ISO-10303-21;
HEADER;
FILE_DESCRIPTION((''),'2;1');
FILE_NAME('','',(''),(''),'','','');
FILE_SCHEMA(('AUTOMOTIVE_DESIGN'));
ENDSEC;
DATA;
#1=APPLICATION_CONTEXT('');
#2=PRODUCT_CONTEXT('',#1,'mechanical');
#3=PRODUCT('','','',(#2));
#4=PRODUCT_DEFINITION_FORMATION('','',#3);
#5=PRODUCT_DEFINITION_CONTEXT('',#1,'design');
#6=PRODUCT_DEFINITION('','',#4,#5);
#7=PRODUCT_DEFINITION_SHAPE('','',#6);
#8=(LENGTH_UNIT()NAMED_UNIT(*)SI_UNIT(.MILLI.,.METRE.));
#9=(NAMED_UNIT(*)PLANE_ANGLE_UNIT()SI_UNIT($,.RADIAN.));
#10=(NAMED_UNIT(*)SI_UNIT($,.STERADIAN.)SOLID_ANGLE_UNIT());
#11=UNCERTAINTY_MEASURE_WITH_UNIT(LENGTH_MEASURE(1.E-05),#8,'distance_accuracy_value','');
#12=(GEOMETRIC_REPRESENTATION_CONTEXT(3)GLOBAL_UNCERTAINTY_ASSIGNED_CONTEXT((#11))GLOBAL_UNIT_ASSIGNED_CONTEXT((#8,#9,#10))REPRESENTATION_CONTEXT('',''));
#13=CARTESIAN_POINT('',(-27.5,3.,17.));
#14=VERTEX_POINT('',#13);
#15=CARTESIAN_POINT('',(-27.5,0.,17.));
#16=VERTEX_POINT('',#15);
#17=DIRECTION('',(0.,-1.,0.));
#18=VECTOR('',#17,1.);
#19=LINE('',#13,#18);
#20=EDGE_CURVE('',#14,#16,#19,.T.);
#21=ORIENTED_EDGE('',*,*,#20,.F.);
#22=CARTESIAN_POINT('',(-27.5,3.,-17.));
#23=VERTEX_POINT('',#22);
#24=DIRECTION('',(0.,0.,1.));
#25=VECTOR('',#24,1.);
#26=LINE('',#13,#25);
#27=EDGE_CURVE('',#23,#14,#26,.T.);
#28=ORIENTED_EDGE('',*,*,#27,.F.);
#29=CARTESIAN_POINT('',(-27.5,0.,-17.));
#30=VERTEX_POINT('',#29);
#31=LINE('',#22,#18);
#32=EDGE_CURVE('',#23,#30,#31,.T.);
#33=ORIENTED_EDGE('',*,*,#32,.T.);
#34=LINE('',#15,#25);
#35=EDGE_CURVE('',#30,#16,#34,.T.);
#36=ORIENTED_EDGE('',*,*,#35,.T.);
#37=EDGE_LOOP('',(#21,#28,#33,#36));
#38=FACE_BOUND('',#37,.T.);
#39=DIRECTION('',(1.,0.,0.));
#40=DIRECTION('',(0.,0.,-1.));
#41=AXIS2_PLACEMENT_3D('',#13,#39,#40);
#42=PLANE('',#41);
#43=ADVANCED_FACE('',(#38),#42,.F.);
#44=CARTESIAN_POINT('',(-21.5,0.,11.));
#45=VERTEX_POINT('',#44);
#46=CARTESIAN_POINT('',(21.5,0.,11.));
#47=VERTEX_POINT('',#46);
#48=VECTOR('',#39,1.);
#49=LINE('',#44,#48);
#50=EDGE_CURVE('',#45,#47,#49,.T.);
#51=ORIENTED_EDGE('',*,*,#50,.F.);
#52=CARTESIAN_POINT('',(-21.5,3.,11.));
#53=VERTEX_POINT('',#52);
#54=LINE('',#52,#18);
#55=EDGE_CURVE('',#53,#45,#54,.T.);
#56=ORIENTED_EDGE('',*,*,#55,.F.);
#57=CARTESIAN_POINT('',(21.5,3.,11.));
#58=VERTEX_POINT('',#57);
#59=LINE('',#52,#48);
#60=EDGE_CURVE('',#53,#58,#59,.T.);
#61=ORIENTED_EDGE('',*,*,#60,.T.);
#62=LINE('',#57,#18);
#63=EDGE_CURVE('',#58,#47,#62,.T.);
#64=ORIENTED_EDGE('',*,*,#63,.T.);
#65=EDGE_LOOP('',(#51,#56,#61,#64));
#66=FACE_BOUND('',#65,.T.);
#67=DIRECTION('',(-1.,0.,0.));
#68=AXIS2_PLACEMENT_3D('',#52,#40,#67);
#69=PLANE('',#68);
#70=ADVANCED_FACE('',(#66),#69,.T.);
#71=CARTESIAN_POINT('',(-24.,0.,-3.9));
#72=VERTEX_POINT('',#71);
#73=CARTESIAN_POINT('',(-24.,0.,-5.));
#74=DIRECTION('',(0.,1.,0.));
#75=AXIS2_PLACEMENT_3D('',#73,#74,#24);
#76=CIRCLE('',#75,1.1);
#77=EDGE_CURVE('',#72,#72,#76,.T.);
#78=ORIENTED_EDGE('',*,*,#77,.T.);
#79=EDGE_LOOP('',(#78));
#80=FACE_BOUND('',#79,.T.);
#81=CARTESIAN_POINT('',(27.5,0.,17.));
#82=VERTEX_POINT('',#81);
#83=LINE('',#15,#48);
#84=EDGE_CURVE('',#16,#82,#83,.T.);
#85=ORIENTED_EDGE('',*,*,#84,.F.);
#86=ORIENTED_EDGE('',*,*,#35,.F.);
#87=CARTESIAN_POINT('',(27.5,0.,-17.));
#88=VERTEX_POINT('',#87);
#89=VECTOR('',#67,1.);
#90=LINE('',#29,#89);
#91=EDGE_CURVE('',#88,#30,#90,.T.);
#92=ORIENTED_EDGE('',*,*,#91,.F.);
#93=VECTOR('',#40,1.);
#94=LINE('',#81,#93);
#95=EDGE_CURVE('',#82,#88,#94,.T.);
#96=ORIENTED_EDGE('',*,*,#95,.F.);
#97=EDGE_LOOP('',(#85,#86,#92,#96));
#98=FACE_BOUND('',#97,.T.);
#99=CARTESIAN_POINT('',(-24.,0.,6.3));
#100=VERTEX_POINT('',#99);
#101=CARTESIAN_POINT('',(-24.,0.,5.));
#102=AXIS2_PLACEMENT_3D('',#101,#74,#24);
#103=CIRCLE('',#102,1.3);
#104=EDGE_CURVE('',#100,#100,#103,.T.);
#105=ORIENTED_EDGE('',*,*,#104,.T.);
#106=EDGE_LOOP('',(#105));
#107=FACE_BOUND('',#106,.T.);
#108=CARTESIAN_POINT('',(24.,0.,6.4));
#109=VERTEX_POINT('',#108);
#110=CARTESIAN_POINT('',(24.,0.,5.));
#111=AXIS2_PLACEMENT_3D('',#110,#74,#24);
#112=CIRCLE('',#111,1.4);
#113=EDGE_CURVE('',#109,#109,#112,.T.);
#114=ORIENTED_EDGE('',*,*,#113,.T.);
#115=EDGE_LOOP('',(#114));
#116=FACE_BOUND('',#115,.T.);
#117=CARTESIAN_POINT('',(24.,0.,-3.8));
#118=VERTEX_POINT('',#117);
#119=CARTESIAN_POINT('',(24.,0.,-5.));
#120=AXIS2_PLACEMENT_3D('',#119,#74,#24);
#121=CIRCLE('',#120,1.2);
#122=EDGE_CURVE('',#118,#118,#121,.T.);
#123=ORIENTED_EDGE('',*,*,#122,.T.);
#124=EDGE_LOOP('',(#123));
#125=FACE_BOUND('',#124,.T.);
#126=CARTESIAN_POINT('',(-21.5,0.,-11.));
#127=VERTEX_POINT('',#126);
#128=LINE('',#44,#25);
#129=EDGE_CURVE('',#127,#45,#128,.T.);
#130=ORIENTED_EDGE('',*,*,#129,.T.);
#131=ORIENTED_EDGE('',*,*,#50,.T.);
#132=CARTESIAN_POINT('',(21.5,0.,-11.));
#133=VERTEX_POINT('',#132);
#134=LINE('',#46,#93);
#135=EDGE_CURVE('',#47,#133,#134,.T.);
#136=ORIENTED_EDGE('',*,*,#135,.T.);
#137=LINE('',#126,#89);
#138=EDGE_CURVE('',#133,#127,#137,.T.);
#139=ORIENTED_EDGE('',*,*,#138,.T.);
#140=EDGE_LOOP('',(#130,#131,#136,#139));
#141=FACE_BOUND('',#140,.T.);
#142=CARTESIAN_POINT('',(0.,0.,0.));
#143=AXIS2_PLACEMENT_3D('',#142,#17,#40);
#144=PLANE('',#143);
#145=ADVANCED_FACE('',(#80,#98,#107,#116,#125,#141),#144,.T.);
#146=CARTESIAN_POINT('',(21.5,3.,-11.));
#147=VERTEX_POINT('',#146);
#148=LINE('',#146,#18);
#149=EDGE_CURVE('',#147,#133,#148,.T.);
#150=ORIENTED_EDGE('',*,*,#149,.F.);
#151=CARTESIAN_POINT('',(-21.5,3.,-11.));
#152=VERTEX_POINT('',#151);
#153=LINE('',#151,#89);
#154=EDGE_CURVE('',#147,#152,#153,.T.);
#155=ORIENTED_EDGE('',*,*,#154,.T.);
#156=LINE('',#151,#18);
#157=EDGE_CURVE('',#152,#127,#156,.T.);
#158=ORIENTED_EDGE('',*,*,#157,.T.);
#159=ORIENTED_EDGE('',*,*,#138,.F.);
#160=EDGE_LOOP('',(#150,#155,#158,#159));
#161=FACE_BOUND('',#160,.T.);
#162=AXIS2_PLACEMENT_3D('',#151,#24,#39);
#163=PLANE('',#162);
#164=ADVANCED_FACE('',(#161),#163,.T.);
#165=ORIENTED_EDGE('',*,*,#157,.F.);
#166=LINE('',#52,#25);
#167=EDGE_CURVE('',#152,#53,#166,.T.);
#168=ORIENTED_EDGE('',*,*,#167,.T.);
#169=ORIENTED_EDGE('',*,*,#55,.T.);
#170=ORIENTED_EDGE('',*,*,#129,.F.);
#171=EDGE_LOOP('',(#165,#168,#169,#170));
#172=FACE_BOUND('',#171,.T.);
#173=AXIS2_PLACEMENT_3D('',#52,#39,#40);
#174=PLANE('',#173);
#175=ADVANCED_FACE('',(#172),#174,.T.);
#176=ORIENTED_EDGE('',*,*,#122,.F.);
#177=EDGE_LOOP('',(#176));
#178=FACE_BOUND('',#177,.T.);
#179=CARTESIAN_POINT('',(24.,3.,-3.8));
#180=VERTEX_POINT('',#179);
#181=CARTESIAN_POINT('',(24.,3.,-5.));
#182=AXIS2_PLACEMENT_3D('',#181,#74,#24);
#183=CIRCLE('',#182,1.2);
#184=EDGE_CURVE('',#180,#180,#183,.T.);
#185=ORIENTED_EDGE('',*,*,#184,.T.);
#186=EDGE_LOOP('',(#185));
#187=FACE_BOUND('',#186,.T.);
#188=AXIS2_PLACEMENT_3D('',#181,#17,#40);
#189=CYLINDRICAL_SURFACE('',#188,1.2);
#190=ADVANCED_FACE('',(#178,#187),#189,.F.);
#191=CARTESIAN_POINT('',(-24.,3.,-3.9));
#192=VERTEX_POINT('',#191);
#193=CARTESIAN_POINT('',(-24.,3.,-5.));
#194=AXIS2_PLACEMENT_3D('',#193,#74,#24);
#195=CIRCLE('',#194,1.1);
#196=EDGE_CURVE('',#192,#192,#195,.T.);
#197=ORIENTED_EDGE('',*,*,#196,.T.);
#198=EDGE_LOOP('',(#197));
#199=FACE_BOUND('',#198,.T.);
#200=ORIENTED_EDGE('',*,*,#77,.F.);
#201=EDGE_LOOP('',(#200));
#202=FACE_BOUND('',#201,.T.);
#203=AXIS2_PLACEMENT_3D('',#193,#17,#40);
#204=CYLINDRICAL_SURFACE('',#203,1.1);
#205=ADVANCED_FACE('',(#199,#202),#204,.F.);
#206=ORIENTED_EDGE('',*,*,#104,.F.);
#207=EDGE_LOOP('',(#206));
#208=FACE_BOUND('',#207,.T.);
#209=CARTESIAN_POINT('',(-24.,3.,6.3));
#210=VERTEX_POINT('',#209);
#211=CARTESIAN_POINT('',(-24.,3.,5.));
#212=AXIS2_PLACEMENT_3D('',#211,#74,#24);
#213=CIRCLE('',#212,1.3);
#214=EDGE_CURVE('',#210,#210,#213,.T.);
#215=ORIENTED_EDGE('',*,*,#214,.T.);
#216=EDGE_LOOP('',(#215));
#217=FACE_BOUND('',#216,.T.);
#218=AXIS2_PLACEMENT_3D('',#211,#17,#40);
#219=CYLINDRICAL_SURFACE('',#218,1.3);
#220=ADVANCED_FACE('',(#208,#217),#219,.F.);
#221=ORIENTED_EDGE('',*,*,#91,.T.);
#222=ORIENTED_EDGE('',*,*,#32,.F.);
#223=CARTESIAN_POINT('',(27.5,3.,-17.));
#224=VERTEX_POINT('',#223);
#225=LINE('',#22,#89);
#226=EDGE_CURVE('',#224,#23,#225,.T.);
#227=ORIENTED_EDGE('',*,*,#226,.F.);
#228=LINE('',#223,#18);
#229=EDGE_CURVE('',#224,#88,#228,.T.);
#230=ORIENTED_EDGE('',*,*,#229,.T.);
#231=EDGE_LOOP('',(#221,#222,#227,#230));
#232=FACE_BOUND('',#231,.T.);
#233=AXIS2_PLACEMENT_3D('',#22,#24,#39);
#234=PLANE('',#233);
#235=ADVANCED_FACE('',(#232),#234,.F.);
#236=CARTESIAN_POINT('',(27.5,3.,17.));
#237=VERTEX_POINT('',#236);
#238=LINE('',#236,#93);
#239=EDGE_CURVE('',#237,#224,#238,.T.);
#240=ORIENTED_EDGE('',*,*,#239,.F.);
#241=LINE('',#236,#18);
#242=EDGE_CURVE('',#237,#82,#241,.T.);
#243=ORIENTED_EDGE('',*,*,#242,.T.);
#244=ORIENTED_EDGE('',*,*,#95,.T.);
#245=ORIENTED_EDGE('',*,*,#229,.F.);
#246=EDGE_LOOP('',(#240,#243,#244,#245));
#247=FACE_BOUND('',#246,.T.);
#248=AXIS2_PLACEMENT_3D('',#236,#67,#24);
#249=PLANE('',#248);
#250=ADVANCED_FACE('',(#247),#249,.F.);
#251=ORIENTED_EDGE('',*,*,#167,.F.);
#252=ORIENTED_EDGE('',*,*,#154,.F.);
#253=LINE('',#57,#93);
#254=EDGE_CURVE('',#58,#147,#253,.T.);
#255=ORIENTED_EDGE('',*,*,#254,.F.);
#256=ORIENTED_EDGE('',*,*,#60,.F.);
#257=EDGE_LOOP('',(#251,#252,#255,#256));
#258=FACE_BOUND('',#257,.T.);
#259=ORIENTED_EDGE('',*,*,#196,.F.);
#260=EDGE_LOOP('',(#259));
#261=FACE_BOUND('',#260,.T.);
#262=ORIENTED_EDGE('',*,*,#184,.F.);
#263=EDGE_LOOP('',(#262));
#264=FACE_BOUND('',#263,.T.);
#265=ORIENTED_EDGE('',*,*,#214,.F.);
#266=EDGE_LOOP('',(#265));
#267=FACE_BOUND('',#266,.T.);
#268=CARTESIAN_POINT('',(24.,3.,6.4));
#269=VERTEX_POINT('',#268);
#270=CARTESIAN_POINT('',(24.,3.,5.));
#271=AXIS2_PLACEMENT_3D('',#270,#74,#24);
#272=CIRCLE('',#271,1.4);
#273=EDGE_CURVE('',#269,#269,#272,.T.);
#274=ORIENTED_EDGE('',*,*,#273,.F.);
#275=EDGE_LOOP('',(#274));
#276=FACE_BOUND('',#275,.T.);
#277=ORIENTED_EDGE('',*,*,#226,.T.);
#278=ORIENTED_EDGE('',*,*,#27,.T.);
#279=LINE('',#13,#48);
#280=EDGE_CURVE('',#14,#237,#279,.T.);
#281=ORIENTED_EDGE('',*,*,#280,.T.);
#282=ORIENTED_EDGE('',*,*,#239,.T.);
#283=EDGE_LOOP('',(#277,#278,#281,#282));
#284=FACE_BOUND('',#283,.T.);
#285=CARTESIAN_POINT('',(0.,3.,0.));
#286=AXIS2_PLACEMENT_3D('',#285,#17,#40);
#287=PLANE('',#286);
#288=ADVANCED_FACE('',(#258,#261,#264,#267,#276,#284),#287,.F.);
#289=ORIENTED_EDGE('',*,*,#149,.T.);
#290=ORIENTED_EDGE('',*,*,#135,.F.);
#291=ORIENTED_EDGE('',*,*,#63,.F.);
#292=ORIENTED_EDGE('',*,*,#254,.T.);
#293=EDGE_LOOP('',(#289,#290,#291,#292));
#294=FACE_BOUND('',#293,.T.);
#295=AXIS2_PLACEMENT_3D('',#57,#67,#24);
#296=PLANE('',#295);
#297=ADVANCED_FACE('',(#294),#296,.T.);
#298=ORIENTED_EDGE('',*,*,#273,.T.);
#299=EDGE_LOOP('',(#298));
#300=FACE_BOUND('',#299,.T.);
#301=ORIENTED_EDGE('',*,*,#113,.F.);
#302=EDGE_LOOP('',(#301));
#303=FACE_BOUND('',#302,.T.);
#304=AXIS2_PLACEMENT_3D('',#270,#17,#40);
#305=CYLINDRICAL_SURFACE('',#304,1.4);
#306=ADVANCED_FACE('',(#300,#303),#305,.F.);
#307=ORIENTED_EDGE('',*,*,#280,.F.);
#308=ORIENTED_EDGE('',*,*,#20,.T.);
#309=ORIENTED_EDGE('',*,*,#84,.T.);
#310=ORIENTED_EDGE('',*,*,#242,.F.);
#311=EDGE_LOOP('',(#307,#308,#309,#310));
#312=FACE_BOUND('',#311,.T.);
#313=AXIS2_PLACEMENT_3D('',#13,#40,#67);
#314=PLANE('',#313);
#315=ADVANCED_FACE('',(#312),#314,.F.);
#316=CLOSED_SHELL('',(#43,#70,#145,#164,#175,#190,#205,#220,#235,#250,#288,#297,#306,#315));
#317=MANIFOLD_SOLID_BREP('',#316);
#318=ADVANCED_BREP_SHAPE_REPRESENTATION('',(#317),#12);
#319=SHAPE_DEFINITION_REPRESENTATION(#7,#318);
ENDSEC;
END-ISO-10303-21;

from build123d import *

# Parameters (mm, degrees)
SKETCH1_W           = 55
SKETCH1_H           = 34
SKETCH1_R           = 1.1
SKETCH1_R_2         = 1.3
SKETCH1_R_3         = 1.2
SKETCH1_R_4         = 1.4
SKETCH1_W_2         = 43
SKETCH1_H_2         = 22
BOSS_EXTRUDE1_DEPTH = 3


with BuildPart() as part:
    # Sketch1 → Boss-Extrude1 (new body)
    with BuildSketch(Plane(origin=(0, 0, 0), x_dir=(1, 0, 0), z_dir=(0, 1, 0))):
        Rectangle(SKETCH1_W, SKETCH1_H)
        with Locations((-24, 5)):
            Circle(SKETCH1_R, mode=Mode.SUBTRACT)
        with Locations((-24, -5)):
            Circle(SKETCH1_R_2, mode=Mode.SUBTRACT)
        with Locations((24, 5)):
            Circle(SKETCH1_R_3, mode=Mode.SUBTRACT)
        with Locations((24, -5)):
            Circle(SKETCH1_R_4, mode=Mode.SUBTRACT)
        Rectangle(SKETCH1_W_2, SKETCH1_H_2, mode=Mode.SUBTRACT)
    extrude(amount=BOSS_EXTRUDE1_DEPTH)


solid = part.part
